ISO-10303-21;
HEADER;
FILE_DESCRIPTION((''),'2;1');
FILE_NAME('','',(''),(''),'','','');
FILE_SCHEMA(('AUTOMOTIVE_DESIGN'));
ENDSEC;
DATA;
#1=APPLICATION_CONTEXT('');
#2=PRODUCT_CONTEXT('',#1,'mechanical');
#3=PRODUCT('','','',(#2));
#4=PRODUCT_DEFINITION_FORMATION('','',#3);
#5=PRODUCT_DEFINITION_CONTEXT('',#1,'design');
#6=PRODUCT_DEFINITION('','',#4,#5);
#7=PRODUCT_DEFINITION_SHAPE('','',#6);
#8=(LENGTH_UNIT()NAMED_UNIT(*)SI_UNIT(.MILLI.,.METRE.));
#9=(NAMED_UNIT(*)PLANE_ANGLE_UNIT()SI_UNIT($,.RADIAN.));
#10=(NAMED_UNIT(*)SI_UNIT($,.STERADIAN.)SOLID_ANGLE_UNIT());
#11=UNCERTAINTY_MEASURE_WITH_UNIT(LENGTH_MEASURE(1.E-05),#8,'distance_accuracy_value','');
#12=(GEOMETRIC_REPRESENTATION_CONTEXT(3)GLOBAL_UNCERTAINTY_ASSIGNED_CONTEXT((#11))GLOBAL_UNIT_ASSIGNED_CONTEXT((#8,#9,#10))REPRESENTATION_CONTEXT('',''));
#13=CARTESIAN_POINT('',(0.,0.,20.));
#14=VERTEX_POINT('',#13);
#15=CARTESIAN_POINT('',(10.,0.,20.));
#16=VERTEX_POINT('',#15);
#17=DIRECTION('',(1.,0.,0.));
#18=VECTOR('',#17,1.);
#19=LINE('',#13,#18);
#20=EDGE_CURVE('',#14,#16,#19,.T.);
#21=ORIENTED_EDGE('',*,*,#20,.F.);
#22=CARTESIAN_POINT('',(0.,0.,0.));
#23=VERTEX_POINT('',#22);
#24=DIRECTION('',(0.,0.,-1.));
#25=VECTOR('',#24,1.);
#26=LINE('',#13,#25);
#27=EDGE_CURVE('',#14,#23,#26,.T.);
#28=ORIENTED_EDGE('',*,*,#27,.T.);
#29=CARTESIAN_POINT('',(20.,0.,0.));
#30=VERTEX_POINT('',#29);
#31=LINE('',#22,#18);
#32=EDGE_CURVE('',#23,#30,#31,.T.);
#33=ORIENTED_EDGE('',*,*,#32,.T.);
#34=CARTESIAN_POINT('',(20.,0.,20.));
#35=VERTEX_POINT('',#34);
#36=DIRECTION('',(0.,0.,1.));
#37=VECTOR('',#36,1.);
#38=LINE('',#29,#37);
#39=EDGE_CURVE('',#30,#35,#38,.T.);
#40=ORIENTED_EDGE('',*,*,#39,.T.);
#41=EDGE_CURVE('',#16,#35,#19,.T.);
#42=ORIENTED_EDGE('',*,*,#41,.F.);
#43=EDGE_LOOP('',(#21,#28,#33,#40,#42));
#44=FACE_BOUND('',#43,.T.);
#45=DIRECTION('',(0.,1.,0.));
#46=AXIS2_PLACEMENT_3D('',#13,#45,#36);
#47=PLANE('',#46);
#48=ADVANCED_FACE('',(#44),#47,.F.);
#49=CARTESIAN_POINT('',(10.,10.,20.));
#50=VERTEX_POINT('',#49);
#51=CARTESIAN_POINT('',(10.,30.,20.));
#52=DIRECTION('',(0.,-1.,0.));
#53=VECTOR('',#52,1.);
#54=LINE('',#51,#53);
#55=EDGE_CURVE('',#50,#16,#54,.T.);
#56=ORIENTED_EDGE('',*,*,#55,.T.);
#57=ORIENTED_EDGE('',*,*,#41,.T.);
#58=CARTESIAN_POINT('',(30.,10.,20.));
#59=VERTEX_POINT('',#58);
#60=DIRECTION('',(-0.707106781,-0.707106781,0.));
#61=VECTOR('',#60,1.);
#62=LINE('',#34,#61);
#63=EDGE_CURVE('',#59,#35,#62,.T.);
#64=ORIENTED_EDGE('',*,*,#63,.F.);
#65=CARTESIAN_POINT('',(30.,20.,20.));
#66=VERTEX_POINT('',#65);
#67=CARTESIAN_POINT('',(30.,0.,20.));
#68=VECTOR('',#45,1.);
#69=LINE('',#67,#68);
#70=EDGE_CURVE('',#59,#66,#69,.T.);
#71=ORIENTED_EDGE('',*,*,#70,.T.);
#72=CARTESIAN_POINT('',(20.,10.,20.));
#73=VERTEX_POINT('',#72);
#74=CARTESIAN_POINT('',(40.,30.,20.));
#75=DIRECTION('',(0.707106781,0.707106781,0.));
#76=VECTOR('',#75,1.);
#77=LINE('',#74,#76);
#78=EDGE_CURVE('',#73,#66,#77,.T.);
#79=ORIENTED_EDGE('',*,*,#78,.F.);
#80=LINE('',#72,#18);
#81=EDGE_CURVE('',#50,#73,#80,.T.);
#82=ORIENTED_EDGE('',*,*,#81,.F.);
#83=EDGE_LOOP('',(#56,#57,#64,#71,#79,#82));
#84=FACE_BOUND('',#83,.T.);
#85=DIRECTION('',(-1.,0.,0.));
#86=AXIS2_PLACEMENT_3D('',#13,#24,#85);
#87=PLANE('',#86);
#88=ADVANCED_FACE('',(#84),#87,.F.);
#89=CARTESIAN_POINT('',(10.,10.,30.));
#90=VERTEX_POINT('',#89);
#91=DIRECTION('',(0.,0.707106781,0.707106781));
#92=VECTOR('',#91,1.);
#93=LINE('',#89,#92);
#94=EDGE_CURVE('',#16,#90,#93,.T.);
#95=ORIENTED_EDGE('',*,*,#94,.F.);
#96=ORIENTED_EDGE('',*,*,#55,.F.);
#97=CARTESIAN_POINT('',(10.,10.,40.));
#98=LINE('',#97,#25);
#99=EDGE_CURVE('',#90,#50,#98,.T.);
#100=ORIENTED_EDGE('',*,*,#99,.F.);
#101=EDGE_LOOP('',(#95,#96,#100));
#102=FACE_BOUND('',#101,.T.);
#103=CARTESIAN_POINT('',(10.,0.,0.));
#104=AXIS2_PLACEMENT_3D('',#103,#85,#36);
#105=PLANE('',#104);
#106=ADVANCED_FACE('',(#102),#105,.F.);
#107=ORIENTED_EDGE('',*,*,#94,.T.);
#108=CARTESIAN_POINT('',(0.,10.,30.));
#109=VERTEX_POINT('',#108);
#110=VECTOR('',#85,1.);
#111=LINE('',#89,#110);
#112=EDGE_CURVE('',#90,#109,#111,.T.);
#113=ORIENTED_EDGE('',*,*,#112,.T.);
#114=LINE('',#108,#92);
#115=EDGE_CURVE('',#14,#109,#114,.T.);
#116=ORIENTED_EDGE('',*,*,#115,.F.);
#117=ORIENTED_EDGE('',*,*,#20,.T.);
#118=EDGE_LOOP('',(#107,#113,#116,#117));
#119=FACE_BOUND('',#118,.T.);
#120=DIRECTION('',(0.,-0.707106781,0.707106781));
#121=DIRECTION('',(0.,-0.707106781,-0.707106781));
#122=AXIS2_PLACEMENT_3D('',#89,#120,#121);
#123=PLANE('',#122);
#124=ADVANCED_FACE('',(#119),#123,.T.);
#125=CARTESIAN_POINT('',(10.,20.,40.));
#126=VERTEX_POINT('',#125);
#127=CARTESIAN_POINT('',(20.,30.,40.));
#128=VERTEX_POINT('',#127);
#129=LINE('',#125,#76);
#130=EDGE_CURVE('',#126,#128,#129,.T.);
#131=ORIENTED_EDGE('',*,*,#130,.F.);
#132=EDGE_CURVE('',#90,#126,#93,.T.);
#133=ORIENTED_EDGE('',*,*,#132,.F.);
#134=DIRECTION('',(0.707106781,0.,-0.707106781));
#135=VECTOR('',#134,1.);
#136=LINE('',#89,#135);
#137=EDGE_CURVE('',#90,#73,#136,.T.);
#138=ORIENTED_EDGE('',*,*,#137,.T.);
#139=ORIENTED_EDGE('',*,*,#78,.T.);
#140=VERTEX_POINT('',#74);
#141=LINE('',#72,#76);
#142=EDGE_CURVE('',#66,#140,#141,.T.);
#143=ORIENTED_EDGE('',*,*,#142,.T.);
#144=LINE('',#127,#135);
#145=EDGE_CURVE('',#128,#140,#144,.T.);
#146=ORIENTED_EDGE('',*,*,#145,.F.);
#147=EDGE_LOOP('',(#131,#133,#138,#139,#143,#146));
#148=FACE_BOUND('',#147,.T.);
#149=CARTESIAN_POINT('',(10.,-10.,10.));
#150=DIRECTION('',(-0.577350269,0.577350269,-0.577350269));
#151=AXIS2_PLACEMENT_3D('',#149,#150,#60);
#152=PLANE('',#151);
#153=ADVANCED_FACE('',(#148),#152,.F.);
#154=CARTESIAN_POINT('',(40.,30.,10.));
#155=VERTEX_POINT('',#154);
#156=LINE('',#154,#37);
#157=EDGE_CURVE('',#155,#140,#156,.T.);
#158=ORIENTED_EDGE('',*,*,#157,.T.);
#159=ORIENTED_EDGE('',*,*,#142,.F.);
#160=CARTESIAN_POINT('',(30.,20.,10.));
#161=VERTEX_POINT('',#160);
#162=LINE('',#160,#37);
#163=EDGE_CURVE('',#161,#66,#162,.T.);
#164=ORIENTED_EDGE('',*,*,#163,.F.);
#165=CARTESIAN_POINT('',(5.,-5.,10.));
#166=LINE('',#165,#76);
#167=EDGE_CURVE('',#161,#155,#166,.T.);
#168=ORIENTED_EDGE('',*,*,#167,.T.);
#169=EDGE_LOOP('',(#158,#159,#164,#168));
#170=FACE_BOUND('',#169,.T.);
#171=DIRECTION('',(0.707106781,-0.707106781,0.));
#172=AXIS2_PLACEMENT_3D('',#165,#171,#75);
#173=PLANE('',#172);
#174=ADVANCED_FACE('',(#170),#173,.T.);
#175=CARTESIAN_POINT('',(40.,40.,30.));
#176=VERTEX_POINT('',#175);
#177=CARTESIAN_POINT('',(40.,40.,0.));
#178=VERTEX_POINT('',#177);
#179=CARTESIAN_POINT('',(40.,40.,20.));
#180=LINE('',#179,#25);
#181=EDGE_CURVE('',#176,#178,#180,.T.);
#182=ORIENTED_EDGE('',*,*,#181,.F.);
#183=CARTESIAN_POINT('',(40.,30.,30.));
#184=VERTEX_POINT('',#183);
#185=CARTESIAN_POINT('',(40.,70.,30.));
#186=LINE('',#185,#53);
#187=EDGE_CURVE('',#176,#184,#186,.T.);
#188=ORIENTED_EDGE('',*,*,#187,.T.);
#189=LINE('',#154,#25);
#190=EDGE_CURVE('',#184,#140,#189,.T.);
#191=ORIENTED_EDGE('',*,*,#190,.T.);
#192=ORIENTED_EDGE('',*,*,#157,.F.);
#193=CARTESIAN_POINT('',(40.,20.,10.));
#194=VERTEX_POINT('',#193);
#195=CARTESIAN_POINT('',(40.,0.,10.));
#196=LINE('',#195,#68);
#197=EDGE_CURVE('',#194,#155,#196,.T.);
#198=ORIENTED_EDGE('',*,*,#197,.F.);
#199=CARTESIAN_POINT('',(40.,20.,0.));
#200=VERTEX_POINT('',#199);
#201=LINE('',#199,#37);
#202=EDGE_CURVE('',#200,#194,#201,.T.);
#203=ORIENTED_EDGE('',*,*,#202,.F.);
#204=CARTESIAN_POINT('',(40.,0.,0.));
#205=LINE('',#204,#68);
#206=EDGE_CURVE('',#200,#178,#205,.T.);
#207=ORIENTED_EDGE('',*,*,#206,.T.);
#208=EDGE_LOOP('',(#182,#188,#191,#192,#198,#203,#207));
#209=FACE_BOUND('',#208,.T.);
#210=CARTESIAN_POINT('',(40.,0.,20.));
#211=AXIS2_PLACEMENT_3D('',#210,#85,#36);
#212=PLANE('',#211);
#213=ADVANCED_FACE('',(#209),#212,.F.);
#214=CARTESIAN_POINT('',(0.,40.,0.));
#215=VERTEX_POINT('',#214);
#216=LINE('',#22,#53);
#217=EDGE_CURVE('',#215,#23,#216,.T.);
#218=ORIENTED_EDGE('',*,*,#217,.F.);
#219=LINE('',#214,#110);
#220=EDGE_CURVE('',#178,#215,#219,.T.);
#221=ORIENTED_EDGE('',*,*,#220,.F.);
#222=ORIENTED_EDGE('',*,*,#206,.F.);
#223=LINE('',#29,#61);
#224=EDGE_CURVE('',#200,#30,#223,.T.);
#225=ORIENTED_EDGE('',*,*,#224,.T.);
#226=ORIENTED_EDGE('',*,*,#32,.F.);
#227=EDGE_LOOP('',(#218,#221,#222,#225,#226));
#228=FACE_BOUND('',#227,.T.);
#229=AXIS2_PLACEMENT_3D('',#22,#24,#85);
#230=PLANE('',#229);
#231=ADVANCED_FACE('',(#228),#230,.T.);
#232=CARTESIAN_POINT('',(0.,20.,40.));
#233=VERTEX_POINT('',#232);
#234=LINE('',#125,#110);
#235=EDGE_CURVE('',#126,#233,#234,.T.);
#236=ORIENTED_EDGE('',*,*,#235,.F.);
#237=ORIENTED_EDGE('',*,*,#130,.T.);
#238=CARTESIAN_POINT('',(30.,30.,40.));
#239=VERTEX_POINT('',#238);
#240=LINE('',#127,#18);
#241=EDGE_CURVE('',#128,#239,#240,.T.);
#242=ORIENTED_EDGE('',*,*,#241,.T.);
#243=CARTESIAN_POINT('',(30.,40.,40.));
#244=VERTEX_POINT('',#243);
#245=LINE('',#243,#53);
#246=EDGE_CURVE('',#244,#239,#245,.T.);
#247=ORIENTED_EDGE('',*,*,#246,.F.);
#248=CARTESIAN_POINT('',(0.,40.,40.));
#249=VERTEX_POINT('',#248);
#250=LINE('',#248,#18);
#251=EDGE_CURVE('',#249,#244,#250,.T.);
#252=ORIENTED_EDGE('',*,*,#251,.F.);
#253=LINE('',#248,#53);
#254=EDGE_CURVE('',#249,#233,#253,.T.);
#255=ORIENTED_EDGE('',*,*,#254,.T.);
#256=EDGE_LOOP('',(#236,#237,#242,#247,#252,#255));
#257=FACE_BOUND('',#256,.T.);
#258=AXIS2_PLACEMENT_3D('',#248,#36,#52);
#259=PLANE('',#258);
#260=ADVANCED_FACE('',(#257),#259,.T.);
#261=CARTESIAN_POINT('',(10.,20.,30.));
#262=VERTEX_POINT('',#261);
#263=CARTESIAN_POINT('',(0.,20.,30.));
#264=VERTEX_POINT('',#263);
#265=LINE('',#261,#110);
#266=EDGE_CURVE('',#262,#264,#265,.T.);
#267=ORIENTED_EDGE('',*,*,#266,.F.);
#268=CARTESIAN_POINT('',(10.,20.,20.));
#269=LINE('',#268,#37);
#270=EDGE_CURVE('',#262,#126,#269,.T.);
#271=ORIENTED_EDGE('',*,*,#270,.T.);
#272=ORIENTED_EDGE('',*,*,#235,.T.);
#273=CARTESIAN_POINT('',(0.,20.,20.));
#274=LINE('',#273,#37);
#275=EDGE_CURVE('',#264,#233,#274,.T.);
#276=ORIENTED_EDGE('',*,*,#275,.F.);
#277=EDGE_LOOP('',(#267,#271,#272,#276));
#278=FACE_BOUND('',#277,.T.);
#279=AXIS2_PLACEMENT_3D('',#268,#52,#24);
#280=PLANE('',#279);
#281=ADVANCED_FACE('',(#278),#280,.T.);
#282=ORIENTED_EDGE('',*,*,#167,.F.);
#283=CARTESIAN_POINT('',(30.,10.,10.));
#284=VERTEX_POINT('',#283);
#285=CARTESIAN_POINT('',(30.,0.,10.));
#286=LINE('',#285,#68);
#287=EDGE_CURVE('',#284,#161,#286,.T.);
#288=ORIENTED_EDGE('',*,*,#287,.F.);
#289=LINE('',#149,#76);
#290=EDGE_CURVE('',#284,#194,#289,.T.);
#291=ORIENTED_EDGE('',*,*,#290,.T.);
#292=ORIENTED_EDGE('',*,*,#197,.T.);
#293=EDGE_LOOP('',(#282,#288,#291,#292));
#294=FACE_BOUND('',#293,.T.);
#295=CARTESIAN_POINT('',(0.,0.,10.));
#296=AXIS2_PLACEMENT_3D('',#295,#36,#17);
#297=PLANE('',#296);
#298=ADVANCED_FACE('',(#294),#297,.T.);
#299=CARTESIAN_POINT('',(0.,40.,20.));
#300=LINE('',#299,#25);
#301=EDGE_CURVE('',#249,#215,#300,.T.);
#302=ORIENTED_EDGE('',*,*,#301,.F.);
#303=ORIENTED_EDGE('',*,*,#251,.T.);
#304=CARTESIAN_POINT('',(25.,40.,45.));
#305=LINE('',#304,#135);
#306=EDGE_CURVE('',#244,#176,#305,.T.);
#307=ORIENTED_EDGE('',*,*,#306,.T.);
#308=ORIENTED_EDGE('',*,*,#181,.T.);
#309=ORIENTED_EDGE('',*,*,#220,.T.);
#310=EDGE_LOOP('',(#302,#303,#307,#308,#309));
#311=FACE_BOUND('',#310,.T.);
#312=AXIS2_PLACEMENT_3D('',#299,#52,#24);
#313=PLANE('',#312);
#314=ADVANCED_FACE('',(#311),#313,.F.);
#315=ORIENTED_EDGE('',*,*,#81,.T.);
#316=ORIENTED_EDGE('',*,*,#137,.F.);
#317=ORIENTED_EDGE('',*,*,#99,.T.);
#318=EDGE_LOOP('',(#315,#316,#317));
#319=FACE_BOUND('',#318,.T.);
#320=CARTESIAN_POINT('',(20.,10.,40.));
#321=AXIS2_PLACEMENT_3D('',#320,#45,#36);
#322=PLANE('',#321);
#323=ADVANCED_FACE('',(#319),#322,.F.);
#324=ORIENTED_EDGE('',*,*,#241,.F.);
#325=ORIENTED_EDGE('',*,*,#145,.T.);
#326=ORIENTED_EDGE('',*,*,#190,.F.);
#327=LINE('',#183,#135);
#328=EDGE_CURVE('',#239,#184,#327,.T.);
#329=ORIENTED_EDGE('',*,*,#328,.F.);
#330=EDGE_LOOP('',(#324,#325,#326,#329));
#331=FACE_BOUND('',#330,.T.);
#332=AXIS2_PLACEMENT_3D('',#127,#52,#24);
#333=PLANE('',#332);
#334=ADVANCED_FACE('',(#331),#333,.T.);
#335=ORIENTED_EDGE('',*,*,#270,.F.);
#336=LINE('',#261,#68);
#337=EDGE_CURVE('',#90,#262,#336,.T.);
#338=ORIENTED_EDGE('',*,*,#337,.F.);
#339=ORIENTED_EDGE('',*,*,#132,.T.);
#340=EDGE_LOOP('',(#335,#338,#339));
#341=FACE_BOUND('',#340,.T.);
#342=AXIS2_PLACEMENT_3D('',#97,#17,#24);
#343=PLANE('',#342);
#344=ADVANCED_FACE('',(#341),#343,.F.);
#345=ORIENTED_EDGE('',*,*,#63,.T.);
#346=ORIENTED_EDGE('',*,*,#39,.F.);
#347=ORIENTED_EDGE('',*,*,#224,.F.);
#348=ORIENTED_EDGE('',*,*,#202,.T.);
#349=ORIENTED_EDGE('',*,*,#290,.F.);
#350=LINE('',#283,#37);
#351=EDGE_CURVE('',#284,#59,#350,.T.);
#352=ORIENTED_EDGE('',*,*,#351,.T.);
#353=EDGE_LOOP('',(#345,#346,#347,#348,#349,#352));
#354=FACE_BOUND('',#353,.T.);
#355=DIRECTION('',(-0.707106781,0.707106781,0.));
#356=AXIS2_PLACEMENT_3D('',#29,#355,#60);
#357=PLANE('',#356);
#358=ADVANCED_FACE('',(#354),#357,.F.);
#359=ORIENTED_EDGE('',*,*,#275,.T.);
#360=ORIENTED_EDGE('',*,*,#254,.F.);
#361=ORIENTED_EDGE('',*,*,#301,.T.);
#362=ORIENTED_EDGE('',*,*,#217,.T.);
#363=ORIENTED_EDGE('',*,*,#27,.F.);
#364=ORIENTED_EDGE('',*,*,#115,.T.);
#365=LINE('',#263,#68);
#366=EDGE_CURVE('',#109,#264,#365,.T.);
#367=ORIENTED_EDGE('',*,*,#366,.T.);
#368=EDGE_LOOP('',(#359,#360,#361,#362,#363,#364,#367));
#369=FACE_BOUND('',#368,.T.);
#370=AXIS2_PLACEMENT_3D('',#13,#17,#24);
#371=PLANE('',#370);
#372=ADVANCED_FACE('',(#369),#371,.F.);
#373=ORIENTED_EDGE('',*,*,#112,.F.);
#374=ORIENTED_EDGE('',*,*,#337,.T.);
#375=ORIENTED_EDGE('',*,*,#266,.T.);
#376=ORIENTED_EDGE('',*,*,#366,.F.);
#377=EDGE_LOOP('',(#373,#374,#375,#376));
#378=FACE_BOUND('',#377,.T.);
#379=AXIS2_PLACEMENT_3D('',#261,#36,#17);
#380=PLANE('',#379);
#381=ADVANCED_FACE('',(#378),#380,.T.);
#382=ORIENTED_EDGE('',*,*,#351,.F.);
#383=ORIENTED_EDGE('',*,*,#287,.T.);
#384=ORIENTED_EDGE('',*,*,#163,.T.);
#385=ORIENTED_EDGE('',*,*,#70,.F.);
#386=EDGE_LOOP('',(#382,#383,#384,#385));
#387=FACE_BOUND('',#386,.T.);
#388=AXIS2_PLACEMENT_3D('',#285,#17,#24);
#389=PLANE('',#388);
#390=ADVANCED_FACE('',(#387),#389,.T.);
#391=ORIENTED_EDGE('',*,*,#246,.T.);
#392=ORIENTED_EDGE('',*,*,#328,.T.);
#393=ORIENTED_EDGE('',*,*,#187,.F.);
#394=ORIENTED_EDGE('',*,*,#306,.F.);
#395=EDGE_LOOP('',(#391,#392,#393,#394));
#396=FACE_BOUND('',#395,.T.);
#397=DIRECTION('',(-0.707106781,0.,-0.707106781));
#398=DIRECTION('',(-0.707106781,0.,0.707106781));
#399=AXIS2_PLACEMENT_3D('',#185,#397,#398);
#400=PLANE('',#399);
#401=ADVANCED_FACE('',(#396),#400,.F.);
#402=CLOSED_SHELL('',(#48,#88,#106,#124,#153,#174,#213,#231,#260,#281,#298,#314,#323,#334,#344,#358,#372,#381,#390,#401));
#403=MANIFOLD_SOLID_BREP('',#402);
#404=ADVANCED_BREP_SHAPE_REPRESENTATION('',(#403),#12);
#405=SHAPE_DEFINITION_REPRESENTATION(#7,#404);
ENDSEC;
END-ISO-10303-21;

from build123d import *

# Parameters (mm, degrees)
SKETCH1_W           = 40
SKETCH1_H           = 40
BOSS_EXTRUDE1_DEPTH = 20
CUT_EXTRUDE1_DEPTH  = 20
CUT_EXTRUDE2_DEPTH  = 10
SKETCH4_W           = 20
SKETCH4_H           = 10
BOSS_EXTRUDE2_DEPTH = 40
CUT_EXTRUDE3_DEPTH  = 40
SKETCH6_W           = 20
SKETCH6_H           = 10
BOSS_EXTRUDE3_DEPTH = 10
BOSS_EXTRUDE4_DEPTH = 10
BOSS_EXTRUDE5_DEPTH = 27
BOSS_EXTRUDE6_DEPTH = 20
CUT_EXTRUDE4_DEPTH  = 20


with BuildPart() as part:
    # Sketch1 → Boss-Extrude1 (new body)
    with BuildSketch(Plane.XY):
        with Locations((20, 20)):
            Rectangle(SKETCH1_W, SKETCH1_H)
    extrude(amount=BOSS_EXTRUDE1_DEPTH)

    # Sketch2 → Cut-Extrude1 (cut)
    with BuildSketch(Plane.XY.offset(20)):
        Polygon((20, 0), (40, 20), (40, 0), align=None)
    extrude(amount=-CUT_EXTRUDE1_DEPTH, mode=Mode.SUBTRACT)

    # Sketch3 → Cut-Extrude2 (cut)
    with BuildSketch(Plane.XY.offset(20)):
        Polygon((30, 20), (30, 10), (40, 20), (40, 30), align=None)
    extrude(amount=-CUT_EXTRUDE2_DEPTH, mode=Mode.SUBTRACT)

    # Sketch4 → Boss-Extrude2 (add)
    with BuildSketch(Plane(origin=(40, 0, 0), x_dir=(0, 0, -1), z_dir=(1, 0, 0))):
        with Locations((-30, 35)):
            Rectangle(SKETCH4_W, SKETCH4_H)
    extrude(amount=-BOSS_EXTRUDE2_DEPTH)

    # Sketch5 → Cut-Extrude3 (cut)
    with BuildSketch(Plane(origin=(0, 30, 0), x_dir=(-1, 0, 0), z_dir=(0, -1, 0))):
        Polygon((-30, -40), (-40, -40), (-40, -30), align=None)
    extrude(amount=-CUT_EXTRUDE3_DEPTH, mode=Mode.SUBTRACT)

    # Sketch6 → Boss-Extrude3 (add)
    with BuildSketch(Plane.ZY):
        with Locations((30, 25)):
            Rectangle(SKETCH6_W, SKETCH6_H)
    extrude(amount=-BOSS_EXTRUDE3_DEPTH)

    # Sketch7 → Boss-Extrude4 (add)
    with BuildSketch(Plane.ZY):
        Polygon((30, 20), (30, 10), (20, 0), (20, 20), align=None)
    extrude(amount=-BOSS_EXTRUDE4_DEPTH)

    # Sketch8 → Boss-Extrude5 (add)
    with BuildSketch(Plane.XY.offset(40)):
        Polygon((10, 20), (20, 30), (10, 30), align=None)
    extrude(amount=-BOSS_EXTRUDE5_DEPTH)

    # Sketch9 → Boss-Extrude6 (add)
    with BuildSketch(Plane.XY.offset(20)):
        Polygon((10, 20), (20, 30), (40, 30), (30, 20), (20, 10), (10, 10), align=None)
    extrude(amount=BOSS_EXTRUDE6_DEPTH)

    # 3DSketch1 → Cut-Extrude4 (cut, along a direction that is not the sketch's normal)
    with BuildSketch(Plane(origin=(20, 30, 40), x_dir=(0.7071067811865471, 0, -0.7071067811865479), z_dir=(-0.5773502691896258, 0.5773502691896264, -0.5773502691896252))):
        Polygon((0, 0), (28.284271247, 0), (14.142135624, 24.494897428), (0, 24.494897428), (-7.071067812, 12.247448714), align=None)
    extrude(amount=-CUT_EXTRUDE4_DEPTH, dir=(-1, 0, 0), mode=Mode.SUBTRACT)


with BuildPart() as body_2:
    # of the pieces the cut leaves, the one that is kept (cut_extrude4_keep)
    add(part.part.solids().sort_by_distance((0, 0, 0))[0])


solid = body_2.part
